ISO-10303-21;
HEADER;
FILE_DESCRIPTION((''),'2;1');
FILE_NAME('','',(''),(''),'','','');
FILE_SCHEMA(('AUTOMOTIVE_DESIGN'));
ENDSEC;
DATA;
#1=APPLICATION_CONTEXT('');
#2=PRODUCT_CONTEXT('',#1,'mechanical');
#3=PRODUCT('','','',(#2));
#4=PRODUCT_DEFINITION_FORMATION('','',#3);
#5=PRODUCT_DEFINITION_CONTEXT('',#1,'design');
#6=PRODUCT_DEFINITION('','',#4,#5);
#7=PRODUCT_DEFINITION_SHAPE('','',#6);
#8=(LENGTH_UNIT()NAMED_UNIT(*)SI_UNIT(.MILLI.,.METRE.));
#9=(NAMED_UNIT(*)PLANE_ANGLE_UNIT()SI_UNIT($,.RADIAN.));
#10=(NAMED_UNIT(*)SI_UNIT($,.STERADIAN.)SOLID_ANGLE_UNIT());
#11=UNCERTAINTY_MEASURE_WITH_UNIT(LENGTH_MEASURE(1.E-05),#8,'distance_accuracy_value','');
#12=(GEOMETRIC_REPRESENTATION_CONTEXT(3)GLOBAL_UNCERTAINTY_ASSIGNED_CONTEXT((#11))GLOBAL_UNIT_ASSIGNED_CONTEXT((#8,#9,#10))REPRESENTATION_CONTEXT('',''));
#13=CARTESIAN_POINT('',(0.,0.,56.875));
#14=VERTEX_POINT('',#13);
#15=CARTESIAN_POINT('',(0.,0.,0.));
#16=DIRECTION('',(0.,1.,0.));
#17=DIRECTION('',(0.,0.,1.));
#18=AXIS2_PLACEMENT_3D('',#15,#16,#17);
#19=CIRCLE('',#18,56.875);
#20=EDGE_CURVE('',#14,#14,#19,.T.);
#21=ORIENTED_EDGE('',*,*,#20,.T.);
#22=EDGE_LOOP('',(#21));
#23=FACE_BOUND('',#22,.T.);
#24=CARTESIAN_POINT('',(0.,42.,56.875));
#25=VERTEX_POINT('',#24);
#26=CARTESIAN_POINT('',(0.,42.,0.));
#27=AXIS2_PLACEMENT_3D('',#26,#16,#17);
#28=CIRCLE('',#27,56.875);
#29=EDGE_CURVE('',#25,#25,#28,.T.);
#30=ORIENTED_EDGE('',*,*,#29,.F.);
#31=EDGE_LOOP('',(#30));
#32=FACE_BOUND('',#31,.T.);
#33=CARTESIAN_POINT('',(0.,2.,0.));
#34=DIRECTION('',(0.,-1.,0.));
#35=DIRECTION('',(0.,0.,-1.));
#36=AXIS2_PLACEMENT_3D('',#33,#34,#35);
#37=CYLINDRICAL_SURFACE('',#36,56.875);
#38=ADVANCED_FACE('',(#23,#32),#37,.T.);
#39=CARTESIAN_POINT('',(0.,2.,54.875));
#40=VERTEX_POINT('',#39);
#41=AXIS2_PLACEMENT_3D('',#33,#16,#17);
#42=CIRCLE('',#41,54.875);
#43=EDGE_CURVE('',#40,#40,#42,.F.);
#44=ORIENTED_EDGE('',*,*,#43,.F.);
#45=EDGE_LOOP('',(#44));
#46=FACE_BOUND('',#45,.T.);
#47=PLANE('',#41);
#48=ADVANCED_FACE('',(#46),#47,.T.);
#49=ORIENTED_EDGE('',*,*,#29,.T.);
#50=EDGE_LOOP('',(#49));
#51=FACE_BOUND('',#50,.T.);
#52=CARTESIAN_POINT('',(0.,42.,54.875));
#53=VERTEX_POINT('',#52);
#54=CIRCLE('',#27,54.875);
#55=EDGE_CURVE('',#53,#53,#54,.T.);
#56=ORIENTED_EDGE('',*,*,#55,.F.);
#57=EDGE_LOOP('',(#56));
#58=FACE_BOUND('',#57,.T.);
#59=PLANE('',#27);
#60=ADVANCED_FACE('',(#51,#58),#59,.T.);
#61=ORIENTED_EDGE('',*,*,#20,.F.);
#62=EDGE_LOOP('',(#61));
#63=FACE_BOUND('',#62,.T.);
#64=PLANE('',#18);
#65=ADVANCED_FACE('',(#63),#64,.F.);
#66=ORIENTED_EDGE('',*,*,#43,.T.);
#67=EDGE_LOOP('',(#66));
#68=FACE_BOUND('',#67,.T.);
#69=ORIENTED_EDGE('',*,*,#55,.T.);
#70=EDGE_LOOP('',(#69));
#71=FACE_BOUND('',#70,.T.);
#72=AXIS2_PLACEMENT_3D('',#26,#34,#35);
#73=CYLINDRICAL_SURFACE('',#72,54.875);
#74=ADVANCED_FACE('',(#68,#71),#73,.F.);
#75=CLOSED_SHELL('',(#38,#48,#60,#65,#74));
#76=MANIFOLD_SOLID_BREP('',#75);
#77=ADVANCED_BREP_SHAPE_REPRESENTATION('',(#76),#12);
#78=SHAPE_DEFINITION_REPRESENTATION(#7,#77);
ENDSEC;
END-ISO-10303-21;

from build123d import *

# Parameters (mm, degrees)
SKETCH1_R           = 56.875
BOSS_EXTRUDE1_DEPTH = 2
SKETCH2_R           = 56.875
SKETCH2_R_2         = 54.875
BOSS_EXTRUDE2_DEPTH = 40


with BuildPart() as part:
    # Sketch1 → Boss-Extrude1 (new body)
    with BuildSketch(Plane(origin=(0, 0, 0), x_dir=(1, 0, 0), z_dir=(0, 1, 0))):
        with Locations(Location((0, 0, 0), (0, 0, 270))):
            Circle(SKETCH1_R)
    extrude(amount=BOSS_EXTRUDE1_DEPTH)

    # Sketch2 → Boss-Extrude2 (add)
    with BuildSketch(Plane(origin=(0, 2, 0), x_dir=(1, 0, 0), z_dir=(0, 1, 0))):
        with Locations(Location((0, 0, 0), (0, 0, 270))):
            Circle(SKETCH2_R)
        with Locations(Location((0, 0, 0), (0, 0, 270))):
            Circle(SKETCH2_R_2, mode=Mode.SUBTRACT)
    extrude(amount=BOSS_EXTRUDE2_DEPTH)


solid = part.part
